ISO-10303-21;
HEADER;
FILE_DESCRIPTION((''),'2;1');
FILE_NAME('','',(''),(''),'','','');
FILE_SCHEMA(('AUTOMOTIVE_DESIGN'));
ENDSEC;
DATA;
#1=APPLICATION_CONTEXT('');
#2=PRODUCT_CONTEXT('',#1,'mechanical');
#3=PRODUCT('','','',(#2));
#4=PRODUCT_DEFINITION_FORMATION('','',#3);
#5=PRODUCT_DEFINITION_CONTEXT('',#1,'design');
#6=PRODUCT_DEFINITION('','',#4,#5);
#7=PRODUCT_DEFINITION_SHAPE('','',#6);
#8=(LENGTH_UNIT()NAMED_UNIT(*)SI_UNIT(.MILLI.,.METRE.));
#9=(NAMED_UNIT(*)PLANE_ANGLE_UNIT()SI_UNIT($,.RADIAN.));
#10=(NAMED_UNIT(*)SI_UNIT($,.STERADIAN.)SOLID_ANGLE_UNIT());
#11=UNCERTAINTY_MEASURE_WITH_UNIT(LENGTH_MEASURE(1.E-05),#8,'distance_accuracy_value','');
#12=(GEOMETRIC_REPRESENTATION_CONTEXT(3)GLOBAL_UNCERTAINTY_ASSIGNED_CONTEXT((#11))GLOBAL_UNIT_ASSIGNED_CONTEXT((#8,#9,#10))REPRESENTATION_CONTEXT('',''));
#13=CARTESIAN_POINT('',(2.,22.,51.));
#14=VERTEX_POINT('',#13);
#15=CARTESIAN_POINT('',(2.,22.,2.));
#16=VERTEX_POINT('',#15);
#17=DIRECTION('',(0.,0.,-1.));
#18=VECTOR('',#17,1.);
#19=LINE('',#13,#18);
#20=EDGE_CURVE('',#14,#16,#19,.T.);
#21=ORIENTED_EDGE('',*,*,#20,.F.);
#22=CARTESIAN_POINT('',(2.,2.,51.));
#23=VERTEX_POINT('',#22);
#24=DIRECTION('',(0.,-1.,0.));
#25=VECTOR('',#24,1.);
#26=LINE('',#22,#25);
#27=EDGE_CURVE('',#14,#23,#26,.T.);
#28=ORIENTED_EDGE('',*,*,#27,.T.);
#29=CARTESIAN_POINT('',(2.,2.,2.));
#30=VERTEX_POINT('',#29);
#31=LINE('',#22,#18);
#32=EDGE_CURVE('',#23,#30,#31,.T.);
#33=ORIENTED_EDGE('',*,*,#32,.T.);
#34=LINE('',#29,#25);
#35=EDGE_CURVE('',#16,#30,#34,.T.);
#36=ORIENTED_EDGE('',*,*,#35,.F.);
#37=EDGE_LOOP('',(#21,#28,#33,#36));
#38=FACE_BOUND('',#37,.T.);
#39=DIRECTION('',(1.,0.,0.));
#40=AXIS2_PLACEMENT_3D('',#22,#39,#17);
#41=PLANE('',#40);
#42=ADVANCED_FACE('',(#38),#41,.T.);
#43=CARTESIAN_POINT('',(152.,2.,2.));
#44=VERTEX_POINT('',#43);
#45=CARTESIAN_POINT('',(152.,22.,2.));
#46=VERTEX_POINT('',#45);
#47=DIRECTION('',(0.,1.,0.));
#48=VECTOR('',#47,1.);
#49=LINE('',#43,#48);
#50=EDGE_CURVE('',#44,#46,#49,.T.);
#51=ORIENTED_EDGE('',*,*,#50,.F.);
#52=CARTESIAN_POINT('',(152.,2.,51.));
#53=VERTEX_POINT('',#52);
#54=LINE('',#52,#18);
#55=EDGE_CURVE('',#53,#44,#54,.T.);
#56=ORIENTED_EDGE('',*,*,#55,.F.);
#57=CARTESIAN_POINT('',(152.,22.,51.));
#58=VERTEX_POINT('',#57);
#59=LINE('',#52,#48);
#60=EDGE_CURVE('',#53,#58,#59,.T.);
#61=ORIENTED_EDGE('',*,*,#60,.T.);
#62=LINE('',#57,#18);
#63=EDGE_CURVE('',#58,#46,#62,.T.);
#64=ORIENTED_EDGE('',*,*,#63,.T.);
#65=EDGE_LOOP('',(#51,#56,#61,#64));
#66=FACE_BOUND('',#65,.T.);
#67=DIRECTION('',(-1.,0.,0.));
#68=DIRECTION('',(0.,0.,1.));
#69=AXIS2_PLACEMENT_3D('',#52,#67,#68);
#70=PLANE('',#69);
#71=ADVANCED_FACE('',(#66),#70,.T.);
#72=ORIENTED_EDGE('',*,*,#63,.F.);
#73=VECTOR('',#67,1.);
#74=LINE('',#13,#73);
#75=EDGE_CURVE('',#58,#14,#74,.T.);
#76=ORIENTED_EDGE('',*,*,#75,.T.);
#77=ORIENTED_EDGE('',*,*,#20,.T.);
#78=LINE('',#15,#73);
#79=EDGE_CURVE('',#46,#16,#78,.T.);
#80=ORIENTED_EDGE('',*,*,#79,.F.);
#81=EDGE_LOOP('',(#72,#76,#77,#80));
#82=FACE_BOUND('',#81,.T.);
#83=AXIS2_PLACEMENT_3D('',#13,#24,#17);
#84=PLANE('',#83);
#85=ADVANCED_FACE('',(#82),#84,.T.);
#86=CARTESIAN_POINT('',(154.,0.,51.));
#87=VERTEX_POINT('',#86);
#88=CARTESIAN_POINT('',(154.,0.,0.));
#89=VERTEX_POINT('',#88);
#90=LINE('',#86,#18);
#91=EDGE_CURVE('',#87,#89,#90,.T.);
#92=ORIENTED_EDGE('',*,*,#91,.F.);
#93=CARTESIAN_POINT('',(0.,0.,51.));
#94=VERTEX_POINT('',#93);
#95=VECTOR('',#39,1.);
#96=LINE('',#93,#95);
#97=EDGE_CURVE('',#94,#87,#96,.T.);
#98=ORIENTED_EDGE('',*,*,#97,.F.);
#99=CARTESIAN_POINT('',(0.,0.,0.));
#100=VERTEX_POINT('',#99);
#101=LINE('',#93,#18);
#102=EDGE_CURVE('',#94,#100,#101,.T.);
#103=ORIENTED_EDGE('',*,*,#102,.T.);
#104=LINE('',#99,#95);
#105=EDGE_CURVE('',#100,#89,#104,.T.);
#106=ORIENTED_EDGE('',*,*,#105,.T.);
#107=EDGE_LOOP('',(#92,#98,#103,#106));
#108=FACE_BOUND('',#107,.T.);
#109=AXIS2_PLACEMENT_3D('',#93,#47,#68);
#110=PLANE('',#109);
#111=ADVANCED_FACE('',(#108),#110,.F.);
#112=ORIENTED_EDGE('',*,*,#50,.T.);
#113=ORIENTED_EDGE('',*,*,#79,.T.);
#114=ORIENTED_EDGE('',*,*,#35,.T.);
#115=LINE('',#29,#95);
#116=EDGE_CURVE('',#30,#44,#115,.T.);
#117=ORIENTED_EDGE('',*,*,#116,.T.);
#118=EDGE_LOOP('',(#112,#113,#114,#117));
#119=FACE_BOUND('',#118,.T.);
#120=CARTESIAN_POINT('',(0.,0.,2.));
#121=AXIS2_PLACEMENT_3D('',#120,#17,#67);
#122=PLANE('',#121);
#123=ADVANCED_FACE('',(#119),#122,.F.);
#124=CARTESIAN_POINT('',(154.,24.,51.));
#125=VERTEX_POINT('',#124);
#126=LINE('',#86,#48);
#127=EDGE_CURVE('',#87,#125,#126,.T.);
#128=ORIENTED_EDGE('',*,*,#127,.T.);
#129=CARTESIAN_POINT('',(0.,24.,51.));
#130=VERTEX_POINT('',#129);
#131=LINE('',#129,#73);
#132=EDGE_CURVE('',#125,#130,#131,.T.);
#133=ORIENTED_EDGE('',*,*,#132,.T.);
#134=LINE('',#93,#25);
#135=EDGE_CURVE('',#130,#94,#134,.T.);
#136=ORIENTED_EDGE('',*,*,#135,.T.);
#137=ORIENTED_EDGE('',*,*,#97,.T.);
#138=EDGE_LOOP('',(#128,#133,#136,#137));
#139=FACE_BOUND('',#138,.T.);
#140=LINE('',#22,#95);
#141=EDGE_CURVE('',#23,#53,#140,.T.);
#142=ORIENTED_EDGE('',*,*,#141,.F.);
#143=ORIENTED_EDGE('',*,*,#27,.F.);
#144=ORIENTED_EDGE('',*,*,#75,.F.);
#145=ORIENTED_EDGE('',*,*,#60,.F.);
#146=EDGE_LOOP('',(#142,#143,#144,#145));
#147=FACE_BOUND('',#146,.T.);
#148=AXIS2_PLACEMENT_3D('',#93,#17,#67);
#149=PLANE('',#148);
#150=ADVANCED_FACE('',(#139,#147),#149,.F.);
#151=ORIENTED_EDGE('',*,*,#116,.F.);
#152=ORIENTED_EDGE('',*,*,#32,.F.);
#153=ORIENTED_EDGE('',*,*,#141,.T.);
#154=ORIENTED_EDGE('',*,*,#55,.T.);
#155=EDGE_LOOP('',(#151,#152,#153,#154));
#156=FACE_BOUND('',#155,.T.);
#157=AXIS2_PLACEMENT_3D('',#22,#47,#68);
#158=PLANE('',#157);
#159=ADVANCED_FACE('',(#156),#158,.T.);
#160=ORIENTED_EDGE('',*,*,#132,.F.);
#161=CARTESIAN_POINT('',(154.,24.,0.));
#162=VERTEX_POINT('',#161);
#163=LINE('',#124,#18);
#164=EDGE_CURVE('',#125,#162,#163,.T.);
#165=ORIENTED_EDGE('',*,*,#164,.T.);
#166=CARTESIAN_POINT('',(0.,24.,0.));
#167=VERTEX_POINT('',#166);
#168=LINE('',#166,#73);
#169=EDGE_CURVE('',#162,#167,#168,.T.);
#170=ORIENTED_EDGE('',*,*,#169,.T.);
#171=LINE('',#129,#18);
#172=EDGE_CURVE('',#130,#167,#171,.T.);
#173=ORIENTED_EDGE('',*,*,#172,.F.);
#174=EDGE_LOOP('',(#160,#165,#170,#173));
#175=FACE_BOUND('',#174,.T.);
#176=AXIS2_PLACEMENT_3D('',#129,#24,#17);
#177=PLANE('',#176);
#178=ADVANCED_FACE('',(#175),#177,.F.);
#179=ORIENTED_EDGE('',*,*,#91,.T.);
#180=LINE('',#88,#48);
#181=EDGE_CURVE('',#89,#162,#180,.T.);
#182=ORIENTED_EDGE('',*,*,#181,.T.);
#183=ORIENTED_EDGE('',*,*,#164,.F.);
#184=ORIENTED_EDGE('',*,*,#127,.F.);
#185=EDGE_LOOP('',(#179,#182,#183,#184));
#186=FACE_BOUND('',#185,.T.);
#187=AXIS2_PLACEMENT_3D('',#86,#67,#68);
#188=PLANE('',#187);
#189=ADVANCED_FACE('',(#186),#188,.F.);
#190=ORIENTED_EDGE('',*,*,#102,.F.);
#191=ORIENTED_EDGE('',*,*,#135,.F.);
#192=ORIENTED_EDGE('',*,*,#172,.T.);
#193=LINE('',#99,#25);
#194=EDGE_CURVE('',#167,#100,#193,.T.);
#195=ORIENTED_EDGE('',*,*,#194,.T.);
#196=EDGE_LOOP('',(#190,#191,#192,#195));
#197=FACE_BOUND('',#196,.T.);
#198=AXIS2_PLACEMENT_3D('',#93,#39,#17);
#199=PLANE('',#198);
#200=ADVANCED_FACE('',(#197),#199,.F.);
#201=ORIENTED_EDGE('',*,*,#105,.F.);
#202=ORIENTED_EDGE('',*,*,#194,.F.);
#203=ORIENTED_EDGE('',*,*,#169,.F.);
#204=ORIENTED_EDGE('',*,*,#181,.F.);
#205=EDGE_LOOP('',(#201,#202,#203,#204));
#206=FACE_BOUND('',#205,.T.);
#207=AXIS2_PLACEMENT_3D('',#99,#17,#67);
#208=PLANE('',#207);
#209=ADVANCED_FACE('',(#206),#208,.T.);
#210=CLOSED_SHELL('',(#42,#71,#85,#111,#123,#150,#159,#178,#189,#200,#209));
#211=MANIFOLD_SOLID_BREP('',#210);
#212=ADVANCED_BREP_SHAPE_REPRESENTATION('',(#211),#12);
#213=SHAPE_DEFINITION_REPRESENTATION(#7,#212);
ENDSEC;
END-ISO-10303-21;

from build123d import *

# Parameters (mm, degrees)
SKETCH1_W     = 154
SKETCH1_H     = 24
SKETCH1_W_2   = 150
SKETCH1_H_2   = 20
PROFILE_DEPTH = 51
SKETCH2_W     = 150
SKETCH2_H     = 20
BACK_DEPTH    = 2


with BuildPart() as part:
    # Sketch1 → Profile (new body)
    with BuildSketch(Plane.XY):
        with Locations((77, 12)):
            Rectangle(SKETCH1_W, SKETCH1_H)
        with Locations((77, 12)):
            Rectangle(SKETCH1_W_2, SKETCH1_H_2, mode=Mode.SUBTRACT)
    extrude(amount=PROFILE_DEPTH)

    # Sketch2 → Back (add)
    with BuildSketch(Plane.XY):
        with Locations((77, 12)):
            Rectangle(SKETCH2_W, SKETCH2_H)
    extrude(amount=BACK_DEPTH)


solid = part.part
